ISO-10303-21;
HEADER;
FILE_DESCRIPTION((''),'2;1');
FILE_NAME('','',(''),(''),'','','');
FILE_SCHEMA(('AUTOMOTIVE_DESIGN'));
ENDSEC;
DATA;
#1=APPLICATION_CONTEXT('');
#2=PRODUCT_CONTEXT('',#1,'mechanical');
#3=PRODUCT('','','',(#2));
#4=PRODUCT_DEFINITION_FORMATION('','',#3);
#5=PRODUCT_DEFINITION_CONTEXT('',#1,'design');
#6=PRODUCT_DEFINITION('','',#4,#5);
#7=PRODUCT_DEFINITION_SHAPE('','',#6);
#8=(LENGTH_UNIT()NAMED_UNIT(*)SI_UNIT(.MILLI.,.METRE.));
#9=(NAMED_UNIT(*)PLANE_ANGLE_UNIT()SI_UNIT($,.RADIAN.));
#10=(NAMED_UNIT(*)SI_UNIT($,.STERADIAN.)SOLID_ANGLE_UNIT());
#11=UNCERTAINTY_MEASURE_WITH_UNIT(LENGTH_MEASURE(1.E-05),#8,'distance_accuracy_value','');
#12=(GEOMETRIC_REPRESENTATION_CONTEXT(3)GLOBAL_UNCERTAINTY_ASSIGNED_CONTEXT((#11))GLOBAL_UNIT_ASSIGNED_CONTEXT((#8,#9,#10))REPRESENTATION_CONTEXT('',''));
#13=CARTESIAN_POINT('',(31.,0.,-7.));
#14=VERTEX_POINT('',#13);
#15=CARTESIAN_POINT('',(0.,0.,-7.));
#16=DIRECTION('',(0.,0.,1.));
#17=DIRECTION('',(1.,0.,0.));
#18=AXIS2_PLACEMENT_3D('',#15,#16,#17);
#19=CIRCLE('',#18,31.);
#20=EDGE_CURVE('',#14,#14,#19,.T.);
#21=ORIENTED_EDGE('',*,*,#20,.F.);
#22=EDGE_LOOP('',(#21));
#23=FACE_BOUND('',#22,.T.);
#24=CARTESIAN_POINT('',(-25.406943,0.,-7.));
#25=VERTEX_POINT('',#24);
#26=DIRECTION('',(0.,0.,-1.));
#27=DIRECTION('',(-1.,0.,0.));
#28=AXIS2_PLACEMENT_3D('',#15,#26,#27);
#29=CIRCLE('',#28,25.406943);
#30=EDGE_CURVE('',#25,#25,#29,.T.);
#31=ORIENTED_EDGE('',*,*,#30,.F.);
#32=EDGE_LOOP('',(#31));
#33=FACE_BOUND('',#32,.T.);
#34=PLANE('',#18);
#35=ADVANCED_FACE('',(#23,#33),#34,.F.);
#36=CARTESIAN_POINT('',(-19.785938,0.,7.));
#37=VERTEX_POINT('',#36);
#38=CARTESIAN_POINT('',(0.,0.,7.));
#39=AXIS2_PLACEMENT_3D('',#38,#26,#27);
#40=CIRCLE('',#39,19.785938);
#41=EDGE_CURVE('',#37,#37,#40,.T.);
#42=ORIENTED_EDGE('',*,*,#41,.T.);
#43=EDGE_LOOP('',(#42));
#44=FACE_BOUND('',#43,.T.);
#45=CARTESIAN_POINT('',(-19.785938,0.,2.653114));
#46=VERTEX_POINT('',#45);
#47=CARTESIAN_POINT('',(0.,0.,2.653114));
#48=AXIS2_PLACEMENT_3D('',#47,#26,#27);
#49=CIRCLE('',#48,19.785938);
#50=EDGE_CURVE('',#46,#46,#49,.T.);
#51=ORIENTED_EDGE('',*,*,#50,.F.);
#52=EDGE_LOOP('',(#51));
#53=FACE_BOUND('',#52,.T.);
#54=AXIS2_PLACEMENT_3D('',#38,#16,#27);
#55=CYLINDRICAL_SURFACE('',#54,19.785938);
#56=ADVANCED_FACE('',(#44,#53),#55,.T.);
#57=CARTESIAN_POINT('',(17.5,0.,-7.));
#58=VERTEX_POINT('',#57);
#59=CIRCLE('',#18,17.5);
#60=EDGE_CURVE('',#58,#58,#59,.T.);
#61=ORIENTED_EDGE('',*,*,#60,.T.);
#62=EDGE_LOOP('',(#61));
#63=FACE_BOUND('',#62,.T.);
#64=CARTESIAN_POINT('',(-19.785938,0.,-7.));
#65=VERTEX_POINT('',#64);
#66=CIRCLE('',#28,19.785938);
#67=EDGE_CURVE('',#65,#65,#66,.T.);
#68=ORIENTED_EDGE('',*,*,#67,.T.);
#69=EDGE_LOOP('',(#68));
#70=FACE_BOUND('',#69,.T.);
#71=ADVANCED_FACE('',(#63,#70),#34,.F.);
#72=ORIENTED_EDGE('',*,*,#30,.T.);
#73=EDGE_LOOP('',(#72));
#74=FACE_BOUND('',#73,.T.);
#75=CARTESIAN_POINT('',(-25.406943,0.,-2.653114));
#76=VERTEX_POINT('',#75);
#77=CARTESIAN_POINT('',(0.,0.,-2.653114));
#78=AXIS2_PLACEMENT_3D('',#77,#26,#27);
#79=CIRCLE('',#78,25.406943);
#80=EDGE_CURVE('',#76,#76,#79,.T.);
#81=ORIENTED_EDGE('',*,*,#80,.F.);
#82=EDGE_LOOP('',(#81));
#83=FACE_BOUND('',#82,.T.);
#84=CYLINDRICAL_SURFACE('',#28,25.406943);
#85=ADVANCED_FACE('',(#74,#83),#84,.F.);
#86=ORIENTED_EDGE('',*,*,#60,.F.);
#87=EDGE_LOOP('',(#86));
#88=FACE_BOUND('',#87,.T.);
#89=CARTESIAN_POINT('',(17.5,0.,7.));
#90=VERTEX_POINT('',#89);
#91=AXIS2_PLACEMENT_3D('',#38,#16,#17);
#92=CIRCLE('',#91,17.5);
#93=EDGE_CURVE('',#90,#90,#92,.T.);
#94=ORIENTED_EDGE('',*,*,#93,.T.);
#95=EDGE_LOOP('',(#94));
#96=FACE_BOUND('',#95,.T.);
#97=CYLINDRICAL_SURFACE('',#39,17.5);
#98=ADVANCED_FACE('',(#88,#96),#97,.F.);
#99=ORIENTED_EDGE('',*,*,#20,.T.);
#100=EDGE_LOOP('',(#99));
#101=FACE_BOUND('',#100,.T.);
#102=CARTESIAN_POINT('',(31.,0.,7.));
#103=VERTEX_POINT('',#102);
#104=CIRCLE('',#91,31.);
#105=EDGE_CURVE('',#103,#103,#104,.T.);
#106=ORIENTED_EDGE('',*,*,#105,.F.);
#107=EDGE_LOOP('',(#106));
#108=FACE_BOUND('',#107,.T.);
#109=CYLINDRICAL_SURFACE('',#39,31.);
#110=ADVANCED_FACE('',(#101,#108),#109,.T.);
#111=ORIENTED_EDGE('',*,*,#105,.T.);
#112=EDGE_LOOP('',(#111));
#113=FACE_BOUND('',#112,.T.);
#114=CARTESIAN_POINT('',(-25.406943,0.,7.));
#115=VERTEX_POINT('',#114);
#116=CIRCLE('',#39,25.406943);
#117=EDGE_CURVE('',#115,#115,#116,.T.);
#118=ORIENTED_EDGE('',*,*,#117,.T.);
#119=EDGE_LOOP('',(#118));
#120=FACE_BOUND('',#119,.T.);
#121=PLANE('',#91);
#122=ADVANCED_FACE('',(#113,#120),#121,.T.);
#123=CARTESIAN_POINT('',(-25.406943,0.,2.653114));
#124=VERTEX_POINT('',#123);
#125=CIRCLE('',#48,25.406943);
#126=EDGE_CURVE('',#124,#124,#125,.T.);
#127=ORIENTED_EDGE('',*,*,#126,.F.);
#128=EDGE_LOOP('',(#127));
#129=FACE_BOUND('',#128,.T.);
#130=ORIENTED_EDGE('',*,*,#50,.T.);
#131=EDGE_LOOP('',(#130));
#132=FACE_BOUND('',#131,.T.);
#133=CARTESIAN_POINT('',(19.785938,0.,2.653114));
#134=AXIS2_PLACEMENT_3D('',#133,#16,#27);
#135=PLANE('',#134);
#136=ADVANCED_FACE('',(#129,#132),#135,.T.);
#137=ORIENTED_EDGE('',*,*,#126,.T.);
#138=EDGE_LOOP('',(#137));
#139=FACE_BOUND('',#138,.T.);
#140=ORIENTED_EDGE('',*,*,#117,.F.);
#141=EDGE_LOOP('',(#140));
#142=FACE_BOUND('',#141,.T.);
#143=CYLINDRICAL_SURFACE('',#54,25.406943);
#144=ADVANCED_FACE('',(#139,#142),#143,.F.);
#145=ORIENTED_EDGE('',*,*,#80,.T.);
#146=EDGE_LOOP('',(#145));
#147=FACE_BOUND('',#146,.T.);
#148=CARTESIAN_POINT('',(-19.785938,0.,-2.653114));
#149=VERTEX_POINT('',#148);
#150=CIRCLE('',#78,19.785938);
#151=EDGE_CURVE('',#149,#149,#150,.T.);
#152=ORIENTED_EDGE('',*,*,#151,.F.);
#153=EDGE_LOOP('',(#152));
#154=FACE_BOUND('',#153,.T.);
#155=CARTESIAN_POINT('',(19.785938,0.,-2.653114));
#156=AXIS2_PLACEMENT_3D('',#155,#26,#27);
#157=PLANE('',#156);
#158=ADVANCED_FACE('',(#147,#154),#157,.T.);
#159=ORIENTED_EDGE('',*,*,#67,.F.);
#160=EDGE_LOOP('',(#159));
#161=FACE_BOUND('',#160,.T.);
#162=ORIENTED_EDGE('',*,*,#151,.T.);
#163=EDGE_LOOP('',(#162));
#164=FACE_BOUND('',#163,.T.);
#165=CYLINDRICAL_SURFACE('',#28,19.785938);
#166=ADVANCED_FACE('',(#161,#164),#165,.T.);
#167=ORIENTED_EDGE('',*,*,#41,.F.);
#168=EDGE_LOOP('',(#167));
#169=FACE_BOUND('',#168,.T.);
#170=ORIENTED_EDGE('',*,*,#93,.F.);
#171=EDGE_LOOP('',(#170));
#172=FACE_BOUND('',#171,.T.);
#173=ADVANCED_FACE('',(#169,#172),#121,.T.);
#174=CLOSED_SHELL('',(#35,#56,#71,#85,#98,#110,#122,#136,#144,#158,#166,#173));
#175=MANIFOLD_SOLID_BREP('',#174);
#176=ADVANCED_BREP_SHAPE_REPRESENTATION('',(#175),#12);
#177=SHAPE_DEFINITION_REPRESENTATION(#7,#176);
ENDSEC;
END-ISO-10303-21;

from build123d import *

# Parameters (mm, degrees)
SKETCH_1_R      = 31
SKETCH_1_R_2    = 17.5
EXTRUDE_1_DEPTH = 7
SKETCH_2_W      = 5.621005066
SKETCH_2_H      = 4.346885609


with BuildPart() as part:
    # 草图1 → 凸台-拉伸1 (new, symmetric)
    with BuildSketch(Plane.XY):
        Circle(SKETCH_1_R)
        Circle(SKETCH_1_R_2, mode=Mode.SUBTRACT)
    extrude(amount=EXTRUDE_1_DEPTH, both=True)

    # 草图2 → 切除-旋转1 (revolve, cut)
    with BuildSketch(Plane(origin=(0, 0, 0), x_dir=(1, 0, 0), z_dir=(0, 1, 0)), mode=Mode.PRIVATE) as cut_revolve_1_sk:
        with Locations((22.596440368, 4.826557196)):
            Rectangle(SKETCH_2_W, SKETCH_2_H)
    cut_revolve_1 = revolve(cut_revolve_1_sk.sketch.rotate(Axis((0, 0, -7), (0, 0, 1)), 180), axis=Axis((0, 0, -7), (0, 0, 1)), mode=Mode.SUBTRACT)

    # 镜向1: 切除-旋转1 across plane
    add(cut_revolve_1.mirror(Plane.XY), mode=Mode.SUBTRACT)


solid = part.part
